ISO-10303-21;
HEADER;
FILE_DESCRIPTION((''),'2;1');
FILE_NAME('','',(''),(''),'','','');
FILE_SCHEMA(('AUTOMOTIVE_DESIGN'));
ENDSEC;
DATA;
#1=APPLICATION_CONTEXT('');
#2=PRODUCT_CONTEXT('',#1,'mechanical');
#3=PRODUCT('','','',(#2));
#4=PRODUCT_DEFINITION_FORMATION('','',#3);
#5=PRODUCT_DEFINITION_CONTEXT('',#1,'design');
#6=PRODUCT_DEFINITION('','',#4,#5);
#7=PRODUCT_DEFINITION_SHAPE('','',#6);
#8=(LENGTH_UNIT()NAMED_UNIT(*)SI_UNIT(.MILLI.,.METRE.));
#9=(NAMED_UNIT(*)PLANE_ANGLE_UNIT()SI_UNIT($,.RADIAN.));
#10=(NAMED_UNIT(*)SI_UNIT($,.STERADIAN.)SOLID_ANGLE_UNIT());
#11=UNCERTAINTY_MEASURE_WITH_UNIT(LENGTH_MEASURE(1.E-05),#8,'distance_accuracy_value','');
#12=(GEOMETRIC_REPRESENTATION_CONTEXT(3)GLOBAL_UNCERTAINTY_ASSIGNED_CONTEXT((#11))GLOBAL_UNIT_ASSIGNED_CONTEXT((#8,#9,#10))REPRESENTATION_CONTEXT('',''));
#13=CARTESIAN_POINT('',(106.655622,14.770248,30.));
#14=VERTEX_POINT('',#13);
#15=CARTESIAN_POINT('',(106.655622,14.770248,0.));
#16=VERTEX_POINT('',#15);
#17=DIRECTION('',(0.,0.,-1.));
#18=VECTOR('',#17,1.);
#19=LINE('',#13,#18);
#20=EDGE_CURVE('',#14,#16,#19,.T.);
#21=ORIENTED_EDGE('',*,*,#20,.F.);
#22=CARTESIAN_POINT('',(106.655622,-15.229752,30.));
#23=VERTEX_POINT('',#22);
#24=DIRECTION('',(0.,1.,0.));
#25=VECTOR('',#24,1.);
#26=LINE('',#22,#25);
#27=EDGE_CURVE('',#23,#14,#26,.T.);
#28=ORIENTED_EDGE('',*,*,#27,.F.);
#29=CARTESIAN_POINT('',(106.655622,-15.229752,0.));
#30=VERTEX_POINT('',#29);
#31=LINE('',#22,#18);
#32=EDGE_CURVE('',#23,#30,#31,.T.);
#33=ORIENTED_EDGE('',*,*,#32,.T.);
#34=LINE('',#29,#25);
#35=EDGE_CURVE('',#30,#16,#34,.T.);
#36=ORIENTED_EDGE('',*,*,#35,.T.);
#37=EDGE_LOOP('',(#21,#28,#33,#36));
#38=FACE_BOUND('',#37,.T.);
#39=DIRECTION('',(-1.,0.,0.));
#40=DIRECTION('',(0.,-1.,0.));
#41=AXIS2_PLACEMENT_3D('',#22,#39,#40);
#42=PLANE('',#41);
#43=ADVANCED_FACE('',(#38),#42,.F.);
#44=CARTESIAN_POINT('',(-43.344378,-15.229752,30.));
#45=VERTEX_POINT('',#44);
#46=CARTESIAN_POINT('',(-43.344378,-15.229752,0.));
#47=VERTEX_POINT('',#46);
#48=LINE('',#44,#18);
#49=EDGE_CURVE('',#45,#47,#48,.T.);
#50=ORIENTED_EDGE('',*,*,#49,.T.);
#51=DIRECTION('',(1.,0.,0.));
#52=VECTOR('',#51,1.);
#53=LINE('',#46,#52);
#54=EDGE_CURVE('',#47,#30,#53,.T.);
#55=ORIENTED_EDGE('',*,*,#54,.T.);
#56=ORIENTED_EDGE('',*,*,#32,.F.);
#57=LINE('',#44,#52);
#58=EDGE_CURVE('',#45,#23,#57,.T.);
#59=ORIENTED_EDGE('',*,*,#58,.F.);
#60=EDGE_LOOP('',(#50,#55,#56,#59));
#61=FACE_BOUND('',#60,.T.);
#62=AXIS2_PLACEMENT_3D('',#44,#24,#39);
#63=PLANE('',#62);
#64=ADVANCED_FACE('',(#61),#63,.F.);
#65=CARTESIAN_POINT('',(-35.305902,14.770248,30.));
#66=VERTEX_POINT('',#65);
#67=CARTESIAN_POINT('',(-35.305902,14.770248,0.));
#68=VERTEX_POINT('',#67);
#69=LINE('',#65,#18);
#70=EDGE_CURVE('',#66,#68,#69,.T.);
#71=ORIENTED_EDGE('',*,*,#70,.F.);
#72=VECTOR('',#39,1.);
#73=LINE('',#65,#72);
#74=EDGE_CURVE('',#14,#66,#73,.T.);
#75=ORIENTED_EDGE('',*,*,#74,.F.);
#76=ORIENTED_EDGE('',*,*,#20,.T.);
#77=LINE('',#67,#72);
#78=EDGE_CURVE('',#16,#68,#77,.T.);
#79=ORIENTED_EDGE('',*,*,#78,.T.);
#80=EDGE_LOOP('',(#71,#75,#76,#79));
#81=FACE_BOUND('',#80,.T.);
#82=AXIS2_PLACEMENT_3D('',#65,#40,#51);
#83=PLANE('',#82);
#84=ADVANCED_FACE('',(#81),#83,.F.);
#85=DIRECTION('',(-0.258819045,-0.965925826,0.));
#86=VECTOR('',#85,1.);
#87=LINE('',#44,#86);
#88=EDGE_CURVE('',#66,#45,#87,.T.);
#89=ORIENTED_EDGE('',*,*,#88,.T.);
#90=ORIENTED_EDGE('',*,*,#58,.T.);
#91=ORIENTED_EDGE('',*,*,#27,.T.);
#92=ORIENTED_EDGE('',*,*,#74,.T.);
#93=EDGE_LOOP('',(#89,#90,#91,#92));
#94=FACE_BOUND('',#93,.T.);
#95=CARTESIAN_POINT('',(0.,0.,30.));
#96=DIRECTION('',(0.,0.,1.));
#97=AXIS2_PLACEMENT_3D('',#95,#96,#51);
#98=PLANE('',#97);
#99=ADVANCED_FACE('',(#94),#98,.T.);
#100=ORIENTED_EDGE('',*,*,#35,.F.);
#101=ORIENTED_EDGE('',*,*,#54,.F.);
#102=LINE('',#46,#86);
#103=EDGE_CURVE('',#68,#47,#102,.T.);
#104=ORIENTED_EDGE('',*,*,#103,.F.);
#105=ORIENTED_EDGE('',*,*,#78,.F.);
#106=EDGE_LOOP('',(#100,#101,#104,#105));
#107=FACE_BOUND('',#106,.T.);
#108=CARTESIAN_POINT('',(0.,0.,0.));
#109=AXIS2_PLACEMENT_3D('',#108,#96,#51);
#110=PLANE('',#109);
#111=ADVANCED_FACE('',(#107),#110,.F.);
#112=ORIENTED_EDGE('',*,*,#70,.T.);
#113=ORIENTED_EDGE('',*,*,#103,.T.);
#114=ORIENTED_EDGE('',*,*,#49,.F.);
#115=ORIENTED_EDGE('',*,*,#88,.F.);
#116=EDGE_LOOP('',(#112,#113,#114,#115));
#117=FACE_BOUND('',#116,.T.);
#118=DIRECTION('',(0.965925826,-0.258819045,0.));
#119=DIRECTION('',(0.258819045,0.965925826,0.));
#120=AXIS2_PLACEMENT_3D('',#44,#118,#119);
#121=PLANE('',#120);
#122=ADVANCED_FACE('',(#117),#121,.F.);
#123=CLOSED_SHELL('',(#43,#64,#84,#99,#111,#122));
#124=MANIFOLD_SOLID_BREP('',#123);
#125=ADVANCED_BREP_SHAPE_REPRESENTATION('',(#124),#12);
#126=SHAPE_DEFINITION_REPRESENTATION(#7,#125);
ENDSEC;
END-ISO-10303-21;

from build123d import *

# Parameters (mm, degrees)
BOSS_EXTRU_1_DEPTH = 30


with BuildPart() as part:
    # Esquisse1 → Boss.-Extru.1 (new body)
    with BuildSketch(Plane.XY):
        Polygon((-43.344377666, -15.229752461), (-35.305901894, 14.770247539), (106.655622334, 14.770247539), (106.655622334, -15.229752461), align=None)
    extrude(amount=BOSS_EXTRU_1_DEPTH)


solid = part.part
